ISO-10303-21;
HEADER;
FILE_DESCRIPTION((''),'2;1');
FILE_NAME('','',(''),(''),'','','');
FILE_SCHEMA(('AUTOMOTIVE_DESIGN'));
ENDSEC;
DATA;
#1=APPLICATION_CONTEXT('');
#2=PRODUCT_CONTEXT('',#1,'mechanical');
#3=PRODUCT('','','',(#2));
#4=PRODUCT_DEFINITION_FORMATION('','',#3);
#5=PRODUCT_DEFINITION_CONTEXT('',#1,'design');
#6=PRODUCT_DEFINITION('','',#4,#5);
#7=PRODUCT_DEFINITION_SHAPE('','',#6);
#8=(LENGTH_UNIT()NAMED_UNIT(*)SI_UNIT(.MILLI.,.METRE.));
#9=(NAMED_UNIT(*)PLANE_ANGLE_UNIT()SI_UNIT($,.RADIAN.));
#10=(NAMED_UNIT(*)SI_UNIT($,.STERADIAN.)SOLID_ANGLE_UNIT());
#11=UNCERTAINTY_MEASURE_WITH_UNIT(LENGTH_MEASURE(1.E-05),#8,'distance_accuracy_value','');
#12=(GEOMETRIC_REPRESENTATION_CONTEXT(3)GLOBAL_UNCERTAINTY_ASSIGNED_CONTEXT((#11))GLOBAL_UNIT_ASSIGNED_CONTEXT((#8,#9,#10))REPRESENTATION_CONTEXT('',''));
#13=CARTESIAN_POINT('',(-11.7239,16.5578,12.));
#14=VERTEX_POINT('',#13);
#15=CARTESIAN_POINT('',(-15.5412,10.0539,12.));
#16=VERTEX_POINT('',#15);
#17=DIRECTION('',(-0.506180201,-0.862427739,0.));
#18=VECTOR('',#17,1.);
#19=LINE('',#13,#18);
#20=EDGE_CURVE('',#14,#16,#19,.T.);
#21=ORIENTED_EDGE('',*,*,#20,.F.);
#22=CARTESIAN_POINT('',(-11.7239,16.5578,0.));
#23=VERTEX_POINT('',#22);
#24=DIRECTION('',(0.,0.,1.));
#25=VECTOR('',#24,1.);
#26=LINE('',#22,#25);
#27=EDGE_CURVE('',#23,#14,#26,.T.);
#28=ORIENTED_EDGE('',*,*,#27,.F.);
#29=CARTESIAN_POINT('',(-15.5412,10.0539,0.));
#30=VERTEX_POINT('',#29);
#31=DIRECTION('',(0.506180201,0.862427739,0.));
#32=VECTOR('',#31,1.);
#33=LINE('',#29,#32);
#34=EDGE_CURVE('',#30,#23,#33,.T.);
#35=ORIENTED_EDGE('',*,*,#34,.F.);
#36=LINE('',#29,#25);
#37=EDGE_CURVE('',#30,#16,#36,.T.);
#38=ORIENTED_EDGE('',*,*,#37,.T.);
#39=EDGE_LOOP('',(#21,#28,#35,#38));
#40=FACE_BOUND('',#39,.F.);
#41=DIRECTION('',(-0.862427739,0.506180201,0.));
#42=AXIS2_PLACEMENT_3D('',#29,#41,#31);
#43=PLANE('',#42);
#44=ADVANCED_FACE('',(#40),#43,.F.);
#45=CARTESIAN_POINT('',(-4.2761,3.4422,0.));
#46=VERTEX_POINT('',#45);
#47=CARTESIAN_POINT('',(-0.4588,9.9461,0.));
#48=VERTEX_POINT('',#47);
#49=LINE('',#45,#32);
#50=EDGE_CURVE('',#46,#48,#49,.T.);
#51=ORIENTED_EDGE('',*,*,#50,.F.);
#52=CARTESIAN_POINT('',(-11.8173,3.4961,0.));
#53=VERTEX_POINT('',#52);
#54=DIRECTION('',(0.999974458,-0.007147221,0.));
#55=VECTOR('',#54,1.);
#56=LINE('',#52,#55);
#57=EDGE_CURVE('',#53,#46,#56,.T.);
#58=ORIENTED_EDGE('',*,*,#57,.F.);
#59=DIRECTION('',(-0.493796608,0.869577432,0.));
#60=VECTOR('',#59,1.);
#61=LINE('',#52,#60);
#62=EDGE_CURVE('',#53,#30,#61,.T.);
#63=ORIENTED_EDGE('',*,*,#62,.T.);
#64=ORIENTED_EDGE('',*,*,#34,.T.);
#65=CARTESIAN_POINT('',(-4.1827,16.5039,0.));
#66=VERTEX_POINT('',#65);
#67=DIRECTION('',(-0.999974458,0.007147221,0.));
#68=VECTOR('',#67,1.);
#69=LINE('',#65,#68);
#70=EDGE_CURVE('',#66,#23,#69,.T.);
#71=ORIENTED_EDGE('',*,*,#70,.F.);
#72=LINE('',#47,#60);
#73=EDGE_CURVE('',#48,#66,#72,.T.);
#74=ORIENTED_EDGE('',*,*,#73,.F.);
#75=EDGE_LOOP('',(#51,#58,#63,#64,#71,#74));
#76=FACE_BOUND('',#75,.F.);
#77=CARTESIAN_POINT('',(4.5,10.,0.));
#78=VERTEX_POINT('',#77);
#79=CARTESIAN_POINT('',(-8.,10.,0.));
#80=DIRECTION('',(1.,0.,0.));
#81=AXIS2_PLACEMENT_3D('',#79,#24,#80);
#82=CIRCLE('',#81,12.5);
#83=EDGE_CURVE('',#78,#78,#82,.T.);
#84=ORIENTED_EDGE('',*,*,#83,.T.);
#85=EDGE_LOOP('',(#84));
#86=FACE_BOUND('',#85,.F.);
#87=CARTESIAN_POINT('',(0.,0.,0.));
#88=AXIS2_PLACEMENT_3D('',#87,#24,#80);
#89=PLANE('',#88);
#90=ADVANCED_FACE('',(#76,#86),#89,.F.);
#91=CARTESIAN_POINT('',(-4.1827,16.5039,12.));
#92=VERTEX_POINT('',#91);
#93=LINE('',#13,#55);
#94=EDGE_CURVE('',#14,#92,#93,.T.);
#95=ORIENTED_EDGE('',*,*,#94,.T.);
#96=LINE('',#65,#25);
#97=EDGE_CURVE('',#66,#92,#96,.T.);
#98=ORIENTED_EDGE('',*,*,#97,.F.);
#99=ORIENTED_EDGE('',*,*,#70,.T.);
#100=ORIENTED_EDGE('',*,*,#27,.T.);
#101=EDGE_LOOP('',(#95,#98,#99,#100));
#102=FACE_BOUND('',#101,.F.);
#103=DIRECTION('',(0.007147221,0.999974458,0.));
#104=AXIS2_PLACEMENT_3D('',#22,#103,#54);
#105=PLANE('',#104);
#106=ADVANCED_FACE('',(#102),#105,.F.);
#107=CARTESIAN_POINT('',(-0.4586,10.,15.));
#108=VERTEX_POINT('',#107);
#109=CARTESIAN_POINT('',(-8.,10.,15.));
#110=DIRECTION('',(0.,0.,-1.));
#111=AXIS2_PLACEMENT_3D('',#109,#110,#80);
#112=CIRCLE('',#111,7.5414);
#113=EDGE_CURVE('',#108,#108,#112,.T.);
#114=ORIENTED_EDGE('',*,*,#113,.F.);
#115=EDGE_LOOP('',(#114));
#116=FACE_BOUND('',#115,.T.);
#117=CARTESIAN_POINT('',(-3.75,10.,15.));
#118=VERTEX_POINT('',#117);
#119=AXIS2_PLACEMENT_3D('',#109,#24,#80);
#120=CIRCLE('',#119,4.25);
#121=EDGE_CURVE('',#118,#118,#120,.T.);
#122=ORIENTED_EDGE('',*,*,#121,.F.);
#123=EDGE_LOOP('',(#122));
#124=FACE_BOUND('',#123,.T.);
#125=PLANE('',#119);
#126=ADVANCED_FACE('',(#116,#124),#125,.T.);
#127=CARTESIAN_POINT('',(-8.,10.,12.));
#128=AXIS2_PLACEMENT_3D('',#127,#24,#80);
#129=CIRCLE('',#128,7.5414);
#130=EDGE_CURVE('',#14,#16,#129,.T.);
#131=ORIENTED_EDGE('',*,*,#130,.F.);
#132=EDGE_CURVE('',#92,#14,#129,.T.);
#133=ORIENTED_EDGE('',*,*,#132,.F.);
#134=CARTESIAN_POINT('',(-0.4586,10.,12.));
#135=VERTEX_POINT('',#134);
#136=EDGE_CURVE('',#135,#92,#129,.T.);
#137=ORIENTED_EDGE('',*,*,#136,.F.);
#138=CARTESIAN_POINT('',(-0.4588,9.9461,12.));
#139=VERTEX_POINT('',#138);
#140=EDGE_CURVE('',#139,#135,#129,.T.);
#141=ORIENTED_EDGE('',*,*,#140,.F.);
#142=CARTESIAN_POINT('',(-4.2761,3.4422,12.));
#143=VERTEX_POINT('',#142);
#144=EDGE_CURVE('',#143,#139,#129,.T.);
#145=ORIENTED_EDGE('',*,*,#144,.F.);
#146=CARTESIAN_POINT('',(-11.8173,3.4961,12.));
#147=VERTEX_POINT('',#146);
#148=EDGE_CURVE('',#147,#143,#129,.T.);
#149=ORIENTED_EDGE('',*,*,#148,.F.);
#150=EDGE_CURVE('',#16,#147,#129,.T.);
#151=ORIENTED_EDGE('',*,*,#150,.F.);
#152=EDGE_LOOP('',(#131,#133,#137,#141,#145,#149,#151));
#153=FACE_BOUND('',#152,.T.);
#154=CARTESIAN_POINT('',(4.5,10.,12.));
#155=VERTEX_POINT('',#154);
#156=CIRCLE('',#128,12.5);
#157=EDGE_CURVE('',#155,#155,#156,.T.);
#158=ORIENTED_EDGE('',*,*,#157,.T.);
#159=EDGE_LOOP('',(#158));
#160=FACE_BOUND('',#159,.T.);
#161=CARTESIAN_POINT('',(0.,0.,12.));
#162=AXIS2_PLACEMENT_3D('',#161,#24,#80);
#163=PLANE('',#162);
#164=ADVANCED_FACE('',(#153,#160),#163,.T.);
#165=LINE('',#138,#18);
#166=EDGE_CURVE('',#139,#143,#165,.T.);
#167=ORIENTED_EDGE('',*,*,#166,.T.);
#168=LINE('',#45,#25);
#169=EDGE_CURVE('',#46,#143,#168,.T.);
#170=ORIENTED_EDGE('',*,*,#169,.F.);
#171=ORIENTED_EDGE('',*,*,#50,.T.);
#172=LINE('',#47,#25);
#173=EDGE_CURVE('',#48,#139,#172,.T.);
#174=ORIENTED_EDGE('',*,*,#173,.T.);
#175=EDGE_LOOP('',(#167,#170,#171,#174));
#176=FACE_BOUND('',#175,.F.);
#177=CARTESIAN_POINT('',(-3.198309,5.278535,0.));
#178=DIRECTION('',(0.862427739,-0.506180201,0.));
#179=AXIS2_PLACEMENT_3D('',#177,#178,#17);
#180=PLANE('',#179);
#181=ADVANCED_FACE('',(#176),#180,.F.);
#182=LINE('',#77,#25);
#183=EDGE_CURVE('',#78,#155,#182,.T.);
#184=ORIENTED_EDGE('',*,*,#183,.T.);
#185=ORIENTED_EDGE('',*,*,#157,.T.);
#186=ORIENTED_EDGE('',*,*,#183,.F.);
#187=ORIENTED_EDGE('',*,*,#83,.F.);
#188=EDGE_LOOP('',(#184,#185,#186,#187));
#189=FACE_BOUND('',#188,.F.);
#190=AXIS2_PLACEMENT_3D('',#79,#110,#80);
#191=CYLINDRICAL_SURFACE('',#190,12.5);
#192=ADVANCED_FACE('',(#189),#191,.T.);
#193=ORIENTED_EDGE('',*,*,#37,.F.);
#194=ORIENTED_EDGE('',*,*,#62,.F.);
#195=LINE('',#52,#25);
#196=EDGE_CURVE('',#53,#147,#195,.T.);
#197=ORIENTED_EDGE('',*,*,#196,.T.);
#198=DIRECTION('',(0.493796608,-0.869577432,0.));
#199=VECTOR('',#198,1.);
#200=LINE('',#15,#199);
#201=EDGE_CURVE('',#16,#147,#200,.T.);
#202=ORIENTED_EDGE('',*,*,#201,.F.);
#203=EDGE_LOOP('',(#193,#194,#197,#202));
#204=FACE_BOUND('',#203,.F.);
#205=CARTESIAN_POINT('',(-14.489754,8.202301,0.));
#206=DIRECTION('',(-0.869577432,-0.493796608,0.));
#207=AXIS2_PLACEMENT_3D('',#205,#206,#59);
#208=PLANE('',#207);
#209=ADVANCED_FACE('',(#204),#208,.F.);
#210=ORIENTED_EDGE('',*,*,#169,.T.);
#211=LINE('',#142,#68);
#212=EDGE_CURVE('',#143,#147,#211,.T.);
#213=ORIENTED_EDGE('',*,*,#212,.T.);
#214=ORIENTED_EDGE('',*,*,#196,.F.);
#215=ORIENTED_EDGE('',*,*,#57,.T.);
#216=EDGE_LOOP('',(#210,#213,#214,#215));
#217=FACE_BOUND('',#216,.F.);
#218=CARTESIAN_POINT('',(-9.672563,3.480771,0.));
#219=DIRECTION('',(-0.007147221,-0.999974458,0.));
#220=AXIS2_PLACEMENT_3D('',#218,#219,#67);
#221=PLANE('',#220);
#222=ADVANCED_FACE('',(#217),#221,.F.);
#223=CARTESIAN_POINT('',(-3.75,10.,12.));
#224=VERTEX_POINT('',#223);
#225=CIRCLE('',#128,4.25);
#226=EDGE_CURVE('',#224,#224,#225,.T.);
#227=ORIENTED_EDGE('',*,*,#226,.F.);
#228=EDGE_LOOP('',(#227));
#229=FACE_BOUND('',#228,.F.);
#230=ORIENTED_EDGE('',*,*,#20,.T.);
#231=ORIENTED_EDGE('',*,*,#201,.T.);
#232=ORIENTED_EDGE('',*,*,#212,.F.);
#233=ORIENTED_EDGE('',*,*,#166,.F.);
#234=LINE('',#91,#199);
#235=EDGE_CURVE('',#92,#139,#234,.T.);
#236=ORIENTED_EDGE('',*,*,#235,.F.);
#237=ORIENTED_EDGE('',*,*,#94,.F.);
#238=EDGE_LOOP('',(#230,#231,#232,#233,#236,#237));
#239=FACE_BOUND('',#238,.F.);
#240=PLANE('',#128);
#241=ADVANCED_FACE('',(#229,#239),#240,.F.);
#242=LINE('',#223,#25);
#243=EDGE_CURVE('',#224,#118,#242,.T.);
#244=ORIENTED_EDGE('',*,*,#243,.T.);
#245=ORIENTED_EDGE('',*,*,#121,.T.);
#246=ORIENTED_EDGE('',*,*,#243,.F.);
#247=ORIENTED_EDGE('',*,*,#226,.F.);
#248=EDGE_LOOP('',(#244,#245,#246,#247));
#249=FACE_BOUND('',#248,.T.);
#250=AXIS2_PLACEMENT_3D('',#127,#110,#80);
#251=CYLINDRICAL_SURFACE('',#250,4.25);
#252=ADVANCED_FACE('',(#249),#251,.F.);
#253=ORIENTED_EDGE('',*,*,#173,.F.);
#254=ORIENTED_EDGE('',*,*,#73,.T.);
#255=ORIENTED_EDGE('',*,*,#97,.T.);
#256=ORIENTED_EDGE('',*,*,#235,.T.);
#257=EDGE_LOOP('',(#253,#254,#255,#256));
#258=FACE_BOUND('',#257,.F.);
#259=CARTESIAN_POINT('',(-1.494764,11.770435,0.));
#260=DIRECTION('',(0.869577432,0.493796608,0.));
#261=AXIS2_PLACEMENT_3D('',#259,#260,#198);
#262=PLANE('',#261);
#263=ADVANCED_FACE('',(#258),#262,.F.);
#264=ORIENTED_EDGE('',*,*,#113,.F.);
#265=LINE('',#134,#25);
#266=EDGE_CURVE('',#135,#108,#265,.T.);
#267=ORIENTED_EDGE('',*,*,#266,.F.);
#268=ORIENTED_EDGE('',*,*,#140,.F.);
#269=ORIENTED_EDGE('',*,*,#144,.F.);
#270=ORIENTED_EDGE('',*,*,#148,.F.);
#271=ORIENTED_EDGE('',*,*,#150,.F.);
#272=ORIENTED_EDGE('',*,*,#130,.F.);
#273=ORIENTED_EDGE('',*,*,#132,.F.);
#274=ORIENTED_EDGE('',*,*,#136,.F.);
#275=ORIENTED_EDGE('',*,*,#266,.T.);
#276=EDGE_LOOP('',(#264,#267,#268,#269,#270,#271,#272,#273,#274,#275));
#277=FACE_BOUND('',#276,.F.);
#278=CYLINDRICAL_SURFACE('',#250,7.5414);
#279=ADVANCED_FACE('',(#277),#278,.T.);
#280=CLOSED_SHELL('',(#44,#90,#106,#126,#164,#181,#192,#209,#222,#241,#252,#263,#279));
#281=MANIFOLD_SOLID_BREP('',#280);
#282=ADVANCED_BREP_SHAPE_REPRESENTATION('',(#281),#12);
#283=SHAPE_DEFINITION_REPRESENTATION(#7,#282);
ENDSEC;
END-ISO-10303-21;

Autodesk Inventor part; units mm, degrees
ref_plane "YZ Plane" through (0, 0, 0) normal (1, 0, 0) x (0, 1, 0)
ref_plane "XZ Plane" through (0, 0, 0) normal (0, 1, 0) x (-1, 0, 0)
ref_plane "XY Plane" through (0, 0, 0) normal (0, 0, 1) x (1, 0, 0)
sketch "Sketch1" plane through (0, 0, 0) normal (0, 0, 1) x (1, 0, 0)
  line L0 (-14.3448, 13.9006) -> (-7.8021, 17.4592)
  line L1 (-14.3448, 13.9006) -> (-14.5342, 6.4551)
  line L2 (-14.5342, 6.4551) -> (-8.1811, 2.5683)
  line L3 (-8.1811, 2.5683) -> (-1.6384, 6.127)
  line L4 (-1.4489, 13.5724) -> (-1.6384, 6.127)
  line L5 (-7.8021, 17.4592) -> (-1.4489, 13.5724)
  circle A0 centre (-8, 10) radius 4
  circle A1 centre (-8, 10) radius 7.5414
  line L6 (-4.1827, 16.5039) -> (-0.4588, 9.9461)
  line L7 (-0.4588, 9.9461) -> (-4.2761, 3.4422)
  line L8 (-4.2761, 3.4422) -> (-11.8173, 3.4961)
  line L9 (-11.8173, 3.4961) -> (-15.5412, 10.0539)
  line L10 (-15.5412, 10.0539) -> (-11.7239, 16.5578)
  line L11 (-11.7239, 16.5578) -> (-4.1827, 16.5039)
  circle A2 centre (-8, 10) radius 4.25
  circle A3 centre (-8, 10) radius 12.5
  point P0 (0, 0)
extrude "Extrusion1" add sketch "Sketch1" along normal blind 12 contours L1 L10 A1 L0 | L0 L10 L1 | L11 A1 L5 L0 | L0 L5 L11 | L9 L2 L1 | L1 L2 L9 A1 | A1 L6 L4 L5 | L8 L2 L3 A1 | L5 L4 L6 | L8 L3 L2 | L7 L3 L4 A1 | L7 L4 L3 | A3
sketch "Sketch2" plane through (-8, 10, 12) normal (0, 0, 1) x (1, 0, 0)
  circle A0 centre (0, 0) radius 4.25
  line L0 (7.5412, -0.0539) -> (3.7239, -6.5578) projected
  circle A1 centre (0, 0) radius 7.5414
  point P0 (8, -10)
  dimension "d4" = 8.5
extrude "Extrusion2" add sketch "Sketch2" along normal blind 3
properties part number "gear1"
